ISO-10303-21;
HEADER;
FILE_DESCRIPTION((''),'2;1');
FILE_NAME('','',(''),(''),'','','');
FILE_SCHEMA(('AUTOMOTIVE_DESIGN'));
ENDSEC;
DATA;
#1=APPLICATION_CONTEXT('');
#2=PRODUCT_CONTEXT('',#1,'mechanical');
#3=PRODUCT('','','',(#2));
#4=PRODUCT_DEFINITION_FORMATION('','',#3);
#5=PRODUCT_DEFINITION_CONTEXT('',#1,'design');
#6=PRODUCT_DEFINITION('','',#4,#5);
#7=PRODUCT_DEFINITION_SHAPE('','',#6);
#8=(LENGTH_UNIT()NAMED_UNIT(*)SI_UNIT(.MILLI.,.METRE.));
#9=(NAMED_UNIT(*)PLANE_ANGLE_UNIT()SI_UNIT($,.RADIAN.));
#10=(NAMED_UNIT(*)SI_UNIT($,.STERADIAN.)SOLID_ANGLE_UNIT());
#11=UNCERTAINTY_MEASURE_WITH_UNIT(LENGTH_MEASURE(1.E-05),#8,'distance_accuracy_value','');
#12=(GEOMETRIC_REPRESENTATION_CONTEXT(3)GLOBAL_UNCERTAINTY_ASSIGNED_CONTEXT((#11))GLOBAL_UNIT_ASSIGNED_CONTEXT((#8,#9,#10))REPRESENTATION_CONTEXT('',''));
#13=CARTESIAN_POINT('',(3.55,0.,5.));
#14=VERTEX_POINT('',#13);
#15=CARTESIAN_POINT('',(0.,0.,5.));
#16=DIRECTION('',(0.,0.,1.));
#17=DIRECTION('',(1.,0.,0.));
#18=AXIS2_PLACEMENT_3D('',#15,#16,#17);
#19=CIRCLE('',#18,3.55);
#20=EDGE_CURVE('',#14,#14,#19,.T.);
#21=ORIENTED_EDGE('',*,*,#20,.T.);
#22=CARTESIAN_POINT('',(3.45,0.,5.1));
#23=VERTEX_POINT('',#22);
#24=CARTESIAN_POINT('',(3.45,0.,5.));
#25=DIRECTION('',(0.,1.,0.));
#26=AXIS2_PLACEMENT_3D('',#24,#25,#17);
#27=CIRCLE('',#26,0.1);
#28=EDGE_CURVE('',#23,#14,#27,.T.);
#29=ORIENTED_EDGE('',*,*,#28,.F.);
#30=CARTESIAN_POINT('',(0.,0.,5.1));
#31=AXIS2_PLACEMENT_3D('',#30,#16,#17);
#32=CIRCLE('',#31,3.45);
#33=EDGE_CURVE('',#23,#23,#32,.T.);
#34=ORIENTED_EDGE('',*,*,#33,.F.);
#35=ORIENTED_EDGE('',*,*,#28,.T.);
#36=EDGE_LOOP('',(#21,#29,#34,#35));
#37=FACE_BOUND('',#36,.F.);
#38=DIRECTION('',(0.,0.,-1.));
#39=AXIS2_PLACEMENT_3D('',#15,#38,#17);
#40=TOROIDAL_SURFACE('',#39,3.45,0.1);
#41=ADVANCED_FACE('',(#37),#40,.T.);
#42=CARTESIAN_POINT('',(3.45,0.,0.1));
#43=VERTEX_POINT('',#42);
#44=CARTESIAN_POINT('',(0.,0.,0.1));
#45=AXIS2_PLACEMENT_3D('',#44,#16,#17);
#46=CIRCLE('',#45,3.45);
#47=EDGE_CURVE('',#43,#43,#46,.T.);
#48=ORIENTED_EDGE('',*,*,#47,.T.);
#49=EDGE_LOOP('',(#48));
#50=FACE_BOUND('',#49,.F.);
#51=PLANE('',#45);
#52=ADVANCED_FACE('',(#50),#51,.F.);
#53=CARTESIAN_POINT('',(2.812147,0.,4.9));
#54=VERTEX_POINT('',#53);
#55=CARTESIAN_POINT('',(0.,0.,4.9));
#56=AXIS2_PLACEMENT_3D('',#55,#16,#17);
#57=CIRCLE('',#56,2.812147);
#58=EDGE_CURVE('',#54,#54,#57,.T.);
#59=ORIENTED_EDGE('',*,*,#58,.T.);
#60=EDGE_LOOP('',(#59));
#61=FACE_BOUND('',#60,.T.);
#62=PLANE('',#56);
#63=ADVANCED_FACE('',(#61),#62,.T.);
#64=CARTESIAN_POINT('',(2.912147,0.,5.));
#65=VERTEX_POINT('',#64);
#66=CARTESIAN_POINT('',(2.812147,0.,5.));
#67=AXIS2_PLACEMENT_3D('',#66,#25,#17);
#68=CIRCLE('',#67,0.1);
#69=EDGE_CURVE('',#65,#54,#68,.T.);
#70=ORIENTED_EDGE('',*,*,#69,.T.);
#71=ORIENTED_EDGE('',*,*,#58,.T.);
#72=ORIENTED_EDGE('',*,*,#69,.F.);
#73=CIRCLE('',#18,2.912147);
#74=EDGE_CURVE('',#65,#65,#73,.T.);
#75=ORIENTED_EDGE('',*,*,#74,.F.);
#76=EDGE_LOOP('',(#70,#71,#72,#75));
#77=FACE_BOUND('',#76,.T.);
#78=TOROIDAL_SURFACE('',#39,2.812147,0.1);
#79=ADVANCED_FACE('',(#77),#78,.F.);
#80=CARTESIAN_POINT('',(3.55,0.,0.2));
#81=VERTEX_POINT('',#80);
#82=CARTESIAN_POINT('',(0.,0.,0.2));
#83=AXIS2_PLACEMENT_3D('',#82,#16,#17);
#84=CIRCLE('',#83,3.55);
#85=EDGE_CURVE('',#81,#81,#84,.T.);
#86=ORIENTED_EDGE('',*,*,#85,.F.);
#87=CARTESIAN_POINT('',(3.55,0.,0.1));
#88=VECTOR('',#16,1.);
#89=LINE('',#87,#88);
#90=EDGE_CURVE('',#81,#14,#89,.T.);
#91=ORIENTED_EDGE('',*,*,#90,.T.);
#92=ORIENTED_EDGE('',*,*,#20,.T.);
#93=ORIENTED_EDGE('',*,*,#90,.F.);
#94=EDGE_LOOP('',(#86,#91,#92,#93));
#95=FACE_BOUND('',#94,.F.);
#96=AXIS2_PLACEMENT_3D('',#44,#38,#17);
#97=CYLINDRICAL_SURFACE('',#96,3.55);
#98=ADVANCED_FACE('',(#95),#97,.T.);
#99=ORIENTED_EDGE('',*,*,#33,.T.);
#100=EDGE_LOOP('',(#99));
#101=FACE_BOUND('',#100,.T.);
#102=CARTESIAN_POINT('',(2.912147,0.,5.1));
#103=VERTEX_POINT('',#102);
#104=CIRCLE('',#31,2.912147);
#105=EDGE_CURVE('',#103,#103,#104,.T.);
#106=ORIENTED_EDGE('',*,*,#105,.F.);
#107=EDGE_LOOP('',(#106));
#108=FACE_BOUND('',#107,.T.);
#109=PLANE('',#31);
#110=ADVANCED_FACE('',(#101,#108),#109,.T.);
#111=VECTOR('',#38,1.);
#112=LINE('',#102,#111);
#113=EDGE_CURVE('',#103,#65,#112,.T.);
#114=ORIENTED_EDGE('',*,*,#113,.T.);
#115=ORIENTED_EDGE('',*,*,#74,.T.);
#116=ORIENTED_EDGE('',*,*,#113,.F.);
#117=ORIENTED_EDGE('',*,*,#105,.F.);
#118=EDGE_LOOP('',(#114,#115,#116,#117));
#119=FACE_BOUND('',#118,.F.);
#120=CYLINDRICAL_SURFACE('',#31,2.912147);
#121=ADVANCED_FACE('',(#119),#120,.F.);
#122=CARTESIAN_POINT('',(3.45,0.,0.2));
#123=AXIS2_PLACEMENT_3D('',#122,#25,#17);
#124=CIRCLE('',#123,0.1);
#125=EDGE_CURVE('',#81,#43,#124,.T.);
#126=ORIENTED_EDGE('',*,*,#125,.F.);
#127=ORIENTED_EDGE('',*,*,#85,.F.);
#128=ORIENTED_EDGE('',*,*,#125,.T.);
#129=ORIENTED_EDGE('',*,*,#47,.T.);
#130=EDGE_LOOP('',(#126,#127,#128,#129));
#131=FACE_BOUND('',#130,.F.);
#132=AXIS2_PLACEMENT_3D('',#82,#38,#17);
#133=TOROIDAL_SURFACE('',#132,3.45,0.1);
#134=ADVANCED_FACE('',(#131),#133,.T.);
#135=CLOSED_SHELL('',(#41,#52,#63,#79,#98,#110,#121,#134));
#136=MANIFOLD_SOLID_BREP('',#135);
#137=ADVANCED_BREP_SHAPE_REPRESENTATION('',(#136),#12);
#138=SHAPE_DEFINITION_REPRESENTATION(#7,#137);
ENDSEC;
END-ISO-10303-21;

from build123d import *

# Parameters (mm, degrees)
SKETCH_R        = 3.55
PAD_DEPTH       = 5
SKETCH004_R     = 2.912147
POCKET001_DEPTH = 0.2
FILLET001_R     = 0.1
FILLET002_R     = 0.1


with BuildPart() as part:
    # Sketch → Pad (new body)
    with BuildSketch(Plane.XY.offset(0.1)):
        Circle(SKETCH_R)
    extrude(amount=PAD_DEPTH)

    # Sketch004 → Pocket001 (cut)
    with BuildSketch(Plane.XY.offset(5.1)):
        Circle(SKETCH004_R)
    extrude(amount=-POCKET001_DEPTH, mode=Mode.SUBTRACT)

    # Fillet001
    fillet001_edges = [part.edges().sort_by_distance(p)[0] for p in [
        (-2.912147, 0, 4.9),
    ]]
    fillet(fillet001_edges, radius=FILLET001_R)

    # Fillet002
    fillet002_edges = [part.edges().sort_by_distance(p)[0] for p in [
        (-3.55, 0, 0.1),
        (-3.55, 0, 5.1),
    ]]
    fillet(fillet002_edges, radius=FILLET002_R)


solid = part.part
